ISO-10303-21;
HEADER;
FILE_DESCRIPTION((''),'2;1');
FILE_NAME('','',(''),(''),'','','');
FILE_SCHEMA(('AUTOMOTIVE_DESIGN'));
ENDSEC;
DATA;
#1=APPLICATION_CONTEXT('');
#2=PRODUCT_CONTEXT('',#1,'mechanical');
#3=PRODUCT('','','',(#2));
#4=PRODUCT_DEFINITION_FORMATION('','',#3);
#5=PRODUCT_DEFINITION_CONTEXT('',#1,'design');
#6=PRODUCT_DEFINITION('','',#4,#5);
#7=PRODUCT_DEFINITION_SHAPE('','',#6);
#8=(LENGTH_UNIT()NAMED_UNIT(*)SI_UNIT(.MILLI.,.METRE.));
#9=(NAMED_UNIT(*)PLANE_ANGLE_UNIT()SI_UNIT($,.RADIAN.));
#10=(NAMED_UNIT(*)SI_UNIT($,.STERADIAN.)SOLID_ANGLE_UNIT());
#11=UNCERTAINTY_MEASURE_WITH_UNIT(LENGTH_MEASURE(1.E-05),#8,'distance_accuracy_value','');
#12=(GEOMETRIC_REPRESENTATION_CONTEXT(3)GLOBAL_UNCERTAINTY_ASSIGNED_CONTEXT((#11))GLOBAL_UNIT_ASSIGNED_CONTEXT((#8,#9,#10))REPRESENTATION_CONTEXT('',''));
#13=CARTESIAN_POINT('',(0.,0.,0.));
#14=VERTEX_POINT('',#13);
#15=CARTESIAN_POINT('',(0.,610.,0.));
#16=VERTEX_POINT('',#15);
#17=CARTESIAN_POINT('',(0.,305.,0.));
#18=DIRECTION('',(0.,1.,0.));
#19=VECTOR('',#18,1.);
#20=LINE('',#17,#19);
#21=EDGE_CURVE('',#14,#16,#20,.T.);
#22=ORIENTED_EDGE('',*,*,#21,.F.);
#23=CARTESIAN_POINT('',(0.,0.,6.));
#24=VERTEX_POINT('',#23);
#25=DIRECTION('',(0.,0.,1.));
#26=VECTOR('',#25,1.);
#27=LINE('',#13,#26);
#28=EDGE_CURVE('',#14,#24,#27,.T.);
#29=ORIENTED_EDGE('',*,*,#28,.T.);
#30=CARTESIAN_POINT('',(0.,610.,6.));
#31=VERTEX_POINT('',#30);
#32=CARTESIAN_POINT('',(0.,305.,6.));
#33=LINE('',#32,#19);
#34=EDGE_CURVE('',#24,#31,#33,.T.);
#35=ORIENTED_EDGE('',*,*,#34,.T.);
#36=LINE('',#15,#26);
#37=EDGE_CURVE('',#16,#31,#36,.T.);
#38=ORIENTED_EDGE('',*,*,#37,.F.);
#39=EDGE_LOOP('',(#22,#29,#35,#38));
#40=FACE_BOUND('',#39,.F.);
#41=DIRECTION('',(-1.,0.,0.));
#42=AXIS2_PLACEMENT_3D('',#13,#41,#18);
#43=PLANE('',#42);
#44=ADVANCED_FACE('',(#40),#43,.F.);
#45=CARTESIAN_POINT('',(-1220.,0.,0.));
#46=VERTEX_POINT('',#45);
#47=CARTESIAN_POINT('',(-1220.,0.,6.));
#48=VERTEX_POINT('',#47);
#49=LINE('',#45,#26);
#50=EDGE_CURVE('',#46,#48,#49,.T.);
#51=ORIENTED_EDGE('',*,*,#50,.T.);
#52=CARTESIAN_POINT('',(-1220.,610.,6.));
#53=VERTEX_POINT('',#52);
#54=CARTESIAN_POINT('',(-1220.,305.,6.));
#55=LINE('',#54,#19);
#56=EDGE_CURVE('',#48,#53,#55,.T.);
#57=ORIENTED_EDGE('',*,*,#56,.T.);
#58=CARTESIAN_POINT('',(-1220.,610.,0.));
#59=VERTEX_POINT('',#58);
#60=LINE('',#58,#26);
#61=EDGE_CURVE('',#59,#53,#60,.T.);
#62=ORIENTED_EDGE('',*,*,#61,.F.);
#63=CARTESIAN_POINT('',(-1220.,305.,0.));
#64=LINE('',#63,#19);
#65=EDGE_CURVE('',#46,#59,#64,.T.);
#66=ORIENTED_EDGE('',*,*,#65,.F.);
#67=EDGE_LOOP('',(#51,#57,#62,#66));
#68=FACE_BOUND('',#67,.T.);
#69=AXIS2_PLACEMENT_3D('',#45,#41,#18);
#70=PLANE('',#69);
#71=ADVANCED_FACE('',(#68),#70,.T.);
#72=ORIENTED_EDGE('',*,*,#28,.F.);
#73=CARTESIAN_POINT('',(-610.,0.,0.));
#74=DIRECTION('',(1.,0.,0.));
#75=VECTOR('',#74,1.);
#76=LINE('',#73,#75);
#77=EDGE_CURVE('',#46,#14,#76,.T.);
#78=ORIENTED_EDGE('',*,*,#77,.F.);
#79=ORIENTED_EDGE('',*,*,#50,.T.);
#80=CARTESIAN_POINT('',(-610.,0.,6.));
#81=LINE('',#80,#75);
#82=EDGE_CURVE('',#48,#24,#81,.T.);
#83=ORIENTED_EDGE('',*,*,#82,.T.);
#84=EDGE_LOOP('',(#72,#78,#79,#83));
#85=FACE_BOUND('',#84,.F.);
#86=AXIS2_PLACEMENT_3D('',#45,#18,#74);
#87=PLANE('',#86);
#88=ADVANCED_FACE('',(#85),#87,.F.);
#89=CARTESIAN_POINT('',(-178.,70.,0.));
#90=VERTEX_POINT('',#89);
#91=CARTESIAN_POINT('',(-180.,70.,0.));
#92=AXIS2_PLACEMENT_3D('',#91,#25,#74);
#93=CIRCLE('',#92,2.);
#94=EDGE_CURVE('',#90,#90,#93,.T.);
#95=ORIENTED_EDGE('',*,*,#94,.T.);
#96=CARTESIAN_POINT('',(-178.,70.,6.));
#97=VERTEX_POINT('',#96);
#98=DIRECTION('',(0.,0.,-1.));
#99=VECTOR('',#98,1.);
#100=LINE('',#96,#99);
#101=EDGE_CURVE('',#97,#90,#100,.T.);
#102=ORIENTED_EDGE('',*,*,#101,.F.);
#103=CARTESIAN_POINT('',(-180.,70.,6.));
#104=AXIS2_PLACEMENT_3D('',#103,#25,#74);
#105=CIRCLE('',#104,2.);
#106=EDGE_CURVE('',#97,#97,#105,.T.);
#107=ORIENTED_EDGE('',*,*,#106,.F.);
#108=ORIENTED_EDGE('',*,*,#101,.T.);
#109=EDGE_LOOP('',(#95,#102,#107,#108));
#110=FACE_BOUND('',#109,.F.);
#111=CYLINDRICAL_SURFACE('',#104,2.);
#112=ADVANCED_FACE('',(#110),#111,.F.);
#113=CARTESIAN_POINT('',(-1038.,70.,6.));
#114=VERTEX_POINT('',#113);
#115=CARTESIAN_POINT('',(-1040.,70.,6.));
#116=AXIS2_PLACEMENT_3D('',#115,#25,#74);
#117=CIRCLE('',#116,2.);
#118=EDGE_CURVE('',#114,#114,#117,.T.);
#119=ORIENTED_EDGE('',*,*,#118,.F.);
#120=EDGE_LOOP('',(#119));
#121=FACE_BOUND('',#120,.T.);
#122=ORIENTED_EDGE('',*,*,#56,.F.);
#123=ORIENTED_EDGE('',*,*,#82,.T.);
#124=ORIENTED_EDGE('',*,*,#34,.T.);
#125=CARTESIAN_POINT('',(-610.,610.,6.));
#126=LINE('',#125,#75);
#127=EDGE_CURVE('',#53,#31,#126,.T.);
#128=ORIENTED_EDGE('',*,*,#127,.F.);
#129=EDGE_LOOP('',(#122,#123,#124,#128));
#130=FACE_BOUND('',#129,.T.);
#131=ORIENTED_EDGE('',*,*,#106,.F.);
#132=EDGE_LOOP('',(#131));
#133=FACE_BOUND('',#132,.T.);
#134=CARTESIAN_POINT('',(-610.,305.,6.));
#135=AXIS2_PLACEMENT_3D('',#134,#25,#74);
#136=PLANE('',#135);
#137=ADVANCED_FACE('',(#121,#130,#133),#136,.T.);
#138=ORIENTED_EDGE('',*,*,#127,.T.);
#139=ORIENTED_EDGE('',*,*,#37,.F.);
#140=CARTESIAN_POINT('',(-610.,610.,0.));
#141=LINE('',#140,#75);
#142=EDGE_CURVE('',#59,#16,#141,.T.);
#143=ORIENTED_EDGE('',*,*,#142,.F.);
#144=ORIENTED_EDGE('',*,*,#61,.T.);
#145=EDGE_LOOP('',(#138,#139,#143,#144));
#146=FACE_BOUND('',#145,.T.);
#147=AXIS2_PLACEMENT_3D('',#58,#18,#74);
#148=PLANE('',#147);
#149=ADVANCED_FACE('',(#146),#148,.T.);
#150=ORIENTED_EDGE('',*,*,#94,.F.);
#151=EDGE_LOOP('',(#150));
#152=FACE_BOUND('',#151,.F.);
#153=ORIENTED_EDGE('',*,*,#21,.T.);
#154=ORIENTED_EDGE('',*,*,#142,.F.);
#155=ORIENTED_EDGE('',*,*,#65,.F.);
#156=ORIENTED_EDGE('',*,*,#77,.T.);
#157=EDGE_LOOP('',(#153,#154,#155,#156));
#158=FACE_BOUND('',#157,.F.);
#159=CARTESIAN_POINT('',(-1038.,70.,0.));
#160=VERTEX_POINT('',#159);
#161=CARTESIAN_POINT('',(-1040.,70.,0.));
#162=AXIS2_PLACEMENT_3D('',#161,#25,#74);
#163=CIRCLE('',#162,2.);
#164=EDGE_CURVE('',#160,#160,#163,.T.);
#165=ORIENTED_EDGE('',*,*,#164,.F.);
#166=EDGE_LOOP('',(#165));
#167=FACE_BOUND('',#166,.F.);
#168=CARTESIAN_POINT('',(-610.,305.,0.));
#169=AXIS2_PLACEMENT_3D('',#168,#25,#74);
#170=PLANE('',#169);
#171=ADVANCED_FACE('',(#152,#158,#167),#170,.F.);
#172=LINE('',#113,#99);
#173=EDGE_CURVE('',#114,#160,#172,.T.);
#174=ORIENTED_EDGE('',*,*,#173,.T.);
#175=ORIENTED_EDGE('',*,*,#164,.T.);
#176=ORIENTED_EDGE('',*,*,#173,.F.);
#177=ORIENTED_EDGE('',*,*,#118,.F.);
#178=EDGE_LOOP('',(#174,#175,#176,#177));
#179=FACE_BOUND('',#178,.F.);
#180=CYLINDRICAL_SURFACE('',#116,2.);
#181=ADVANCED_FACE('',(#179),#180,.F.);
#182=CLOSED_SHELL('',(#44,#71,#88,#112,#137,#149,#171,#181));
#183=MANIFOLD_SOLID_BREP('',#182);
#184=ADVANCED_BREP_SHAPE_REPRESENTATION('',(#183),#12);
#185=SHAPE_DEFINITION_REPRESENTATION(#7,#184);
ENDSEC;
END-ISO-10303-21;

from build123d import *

# Parameters (mm, degrees)
ESQUISSE1_W             = 1220
ESQUISSE1_H             = 610
BOSS_EXTRU_1_DEPTH      = 6
ESQUISSE2_R             = 2
ENL_V_MAT_EXTRU_1_DEPTH = 6


with BuildPart() as part:
    # Esquisse1 → Boss.-Extru.1 (new body)
    with BuildSketch(Plane.XY):
        with Locations((-610, 305)):
            Rectangle(ESQUISSE1_W, ESQUISSE1_H)
    extrude(amount=BOSS_EXTRU_1_DEPTH)

    # Esquisse2 → Enlèv. mat.-Extru.1 (cut)
    with BuildSketch(Plane.XY.offset(6)):
        with Locations((-1040, 70)):
            Circle(ESQUISSE2_R)
        with Locations((-180, 70)):
            Circle(ESQUISSE2_R)
    extrude(amount=-ENL_V_MAT_EXTRU_1_DEPTH, mode=Mode.SUBTRACT)


solid = part.part
